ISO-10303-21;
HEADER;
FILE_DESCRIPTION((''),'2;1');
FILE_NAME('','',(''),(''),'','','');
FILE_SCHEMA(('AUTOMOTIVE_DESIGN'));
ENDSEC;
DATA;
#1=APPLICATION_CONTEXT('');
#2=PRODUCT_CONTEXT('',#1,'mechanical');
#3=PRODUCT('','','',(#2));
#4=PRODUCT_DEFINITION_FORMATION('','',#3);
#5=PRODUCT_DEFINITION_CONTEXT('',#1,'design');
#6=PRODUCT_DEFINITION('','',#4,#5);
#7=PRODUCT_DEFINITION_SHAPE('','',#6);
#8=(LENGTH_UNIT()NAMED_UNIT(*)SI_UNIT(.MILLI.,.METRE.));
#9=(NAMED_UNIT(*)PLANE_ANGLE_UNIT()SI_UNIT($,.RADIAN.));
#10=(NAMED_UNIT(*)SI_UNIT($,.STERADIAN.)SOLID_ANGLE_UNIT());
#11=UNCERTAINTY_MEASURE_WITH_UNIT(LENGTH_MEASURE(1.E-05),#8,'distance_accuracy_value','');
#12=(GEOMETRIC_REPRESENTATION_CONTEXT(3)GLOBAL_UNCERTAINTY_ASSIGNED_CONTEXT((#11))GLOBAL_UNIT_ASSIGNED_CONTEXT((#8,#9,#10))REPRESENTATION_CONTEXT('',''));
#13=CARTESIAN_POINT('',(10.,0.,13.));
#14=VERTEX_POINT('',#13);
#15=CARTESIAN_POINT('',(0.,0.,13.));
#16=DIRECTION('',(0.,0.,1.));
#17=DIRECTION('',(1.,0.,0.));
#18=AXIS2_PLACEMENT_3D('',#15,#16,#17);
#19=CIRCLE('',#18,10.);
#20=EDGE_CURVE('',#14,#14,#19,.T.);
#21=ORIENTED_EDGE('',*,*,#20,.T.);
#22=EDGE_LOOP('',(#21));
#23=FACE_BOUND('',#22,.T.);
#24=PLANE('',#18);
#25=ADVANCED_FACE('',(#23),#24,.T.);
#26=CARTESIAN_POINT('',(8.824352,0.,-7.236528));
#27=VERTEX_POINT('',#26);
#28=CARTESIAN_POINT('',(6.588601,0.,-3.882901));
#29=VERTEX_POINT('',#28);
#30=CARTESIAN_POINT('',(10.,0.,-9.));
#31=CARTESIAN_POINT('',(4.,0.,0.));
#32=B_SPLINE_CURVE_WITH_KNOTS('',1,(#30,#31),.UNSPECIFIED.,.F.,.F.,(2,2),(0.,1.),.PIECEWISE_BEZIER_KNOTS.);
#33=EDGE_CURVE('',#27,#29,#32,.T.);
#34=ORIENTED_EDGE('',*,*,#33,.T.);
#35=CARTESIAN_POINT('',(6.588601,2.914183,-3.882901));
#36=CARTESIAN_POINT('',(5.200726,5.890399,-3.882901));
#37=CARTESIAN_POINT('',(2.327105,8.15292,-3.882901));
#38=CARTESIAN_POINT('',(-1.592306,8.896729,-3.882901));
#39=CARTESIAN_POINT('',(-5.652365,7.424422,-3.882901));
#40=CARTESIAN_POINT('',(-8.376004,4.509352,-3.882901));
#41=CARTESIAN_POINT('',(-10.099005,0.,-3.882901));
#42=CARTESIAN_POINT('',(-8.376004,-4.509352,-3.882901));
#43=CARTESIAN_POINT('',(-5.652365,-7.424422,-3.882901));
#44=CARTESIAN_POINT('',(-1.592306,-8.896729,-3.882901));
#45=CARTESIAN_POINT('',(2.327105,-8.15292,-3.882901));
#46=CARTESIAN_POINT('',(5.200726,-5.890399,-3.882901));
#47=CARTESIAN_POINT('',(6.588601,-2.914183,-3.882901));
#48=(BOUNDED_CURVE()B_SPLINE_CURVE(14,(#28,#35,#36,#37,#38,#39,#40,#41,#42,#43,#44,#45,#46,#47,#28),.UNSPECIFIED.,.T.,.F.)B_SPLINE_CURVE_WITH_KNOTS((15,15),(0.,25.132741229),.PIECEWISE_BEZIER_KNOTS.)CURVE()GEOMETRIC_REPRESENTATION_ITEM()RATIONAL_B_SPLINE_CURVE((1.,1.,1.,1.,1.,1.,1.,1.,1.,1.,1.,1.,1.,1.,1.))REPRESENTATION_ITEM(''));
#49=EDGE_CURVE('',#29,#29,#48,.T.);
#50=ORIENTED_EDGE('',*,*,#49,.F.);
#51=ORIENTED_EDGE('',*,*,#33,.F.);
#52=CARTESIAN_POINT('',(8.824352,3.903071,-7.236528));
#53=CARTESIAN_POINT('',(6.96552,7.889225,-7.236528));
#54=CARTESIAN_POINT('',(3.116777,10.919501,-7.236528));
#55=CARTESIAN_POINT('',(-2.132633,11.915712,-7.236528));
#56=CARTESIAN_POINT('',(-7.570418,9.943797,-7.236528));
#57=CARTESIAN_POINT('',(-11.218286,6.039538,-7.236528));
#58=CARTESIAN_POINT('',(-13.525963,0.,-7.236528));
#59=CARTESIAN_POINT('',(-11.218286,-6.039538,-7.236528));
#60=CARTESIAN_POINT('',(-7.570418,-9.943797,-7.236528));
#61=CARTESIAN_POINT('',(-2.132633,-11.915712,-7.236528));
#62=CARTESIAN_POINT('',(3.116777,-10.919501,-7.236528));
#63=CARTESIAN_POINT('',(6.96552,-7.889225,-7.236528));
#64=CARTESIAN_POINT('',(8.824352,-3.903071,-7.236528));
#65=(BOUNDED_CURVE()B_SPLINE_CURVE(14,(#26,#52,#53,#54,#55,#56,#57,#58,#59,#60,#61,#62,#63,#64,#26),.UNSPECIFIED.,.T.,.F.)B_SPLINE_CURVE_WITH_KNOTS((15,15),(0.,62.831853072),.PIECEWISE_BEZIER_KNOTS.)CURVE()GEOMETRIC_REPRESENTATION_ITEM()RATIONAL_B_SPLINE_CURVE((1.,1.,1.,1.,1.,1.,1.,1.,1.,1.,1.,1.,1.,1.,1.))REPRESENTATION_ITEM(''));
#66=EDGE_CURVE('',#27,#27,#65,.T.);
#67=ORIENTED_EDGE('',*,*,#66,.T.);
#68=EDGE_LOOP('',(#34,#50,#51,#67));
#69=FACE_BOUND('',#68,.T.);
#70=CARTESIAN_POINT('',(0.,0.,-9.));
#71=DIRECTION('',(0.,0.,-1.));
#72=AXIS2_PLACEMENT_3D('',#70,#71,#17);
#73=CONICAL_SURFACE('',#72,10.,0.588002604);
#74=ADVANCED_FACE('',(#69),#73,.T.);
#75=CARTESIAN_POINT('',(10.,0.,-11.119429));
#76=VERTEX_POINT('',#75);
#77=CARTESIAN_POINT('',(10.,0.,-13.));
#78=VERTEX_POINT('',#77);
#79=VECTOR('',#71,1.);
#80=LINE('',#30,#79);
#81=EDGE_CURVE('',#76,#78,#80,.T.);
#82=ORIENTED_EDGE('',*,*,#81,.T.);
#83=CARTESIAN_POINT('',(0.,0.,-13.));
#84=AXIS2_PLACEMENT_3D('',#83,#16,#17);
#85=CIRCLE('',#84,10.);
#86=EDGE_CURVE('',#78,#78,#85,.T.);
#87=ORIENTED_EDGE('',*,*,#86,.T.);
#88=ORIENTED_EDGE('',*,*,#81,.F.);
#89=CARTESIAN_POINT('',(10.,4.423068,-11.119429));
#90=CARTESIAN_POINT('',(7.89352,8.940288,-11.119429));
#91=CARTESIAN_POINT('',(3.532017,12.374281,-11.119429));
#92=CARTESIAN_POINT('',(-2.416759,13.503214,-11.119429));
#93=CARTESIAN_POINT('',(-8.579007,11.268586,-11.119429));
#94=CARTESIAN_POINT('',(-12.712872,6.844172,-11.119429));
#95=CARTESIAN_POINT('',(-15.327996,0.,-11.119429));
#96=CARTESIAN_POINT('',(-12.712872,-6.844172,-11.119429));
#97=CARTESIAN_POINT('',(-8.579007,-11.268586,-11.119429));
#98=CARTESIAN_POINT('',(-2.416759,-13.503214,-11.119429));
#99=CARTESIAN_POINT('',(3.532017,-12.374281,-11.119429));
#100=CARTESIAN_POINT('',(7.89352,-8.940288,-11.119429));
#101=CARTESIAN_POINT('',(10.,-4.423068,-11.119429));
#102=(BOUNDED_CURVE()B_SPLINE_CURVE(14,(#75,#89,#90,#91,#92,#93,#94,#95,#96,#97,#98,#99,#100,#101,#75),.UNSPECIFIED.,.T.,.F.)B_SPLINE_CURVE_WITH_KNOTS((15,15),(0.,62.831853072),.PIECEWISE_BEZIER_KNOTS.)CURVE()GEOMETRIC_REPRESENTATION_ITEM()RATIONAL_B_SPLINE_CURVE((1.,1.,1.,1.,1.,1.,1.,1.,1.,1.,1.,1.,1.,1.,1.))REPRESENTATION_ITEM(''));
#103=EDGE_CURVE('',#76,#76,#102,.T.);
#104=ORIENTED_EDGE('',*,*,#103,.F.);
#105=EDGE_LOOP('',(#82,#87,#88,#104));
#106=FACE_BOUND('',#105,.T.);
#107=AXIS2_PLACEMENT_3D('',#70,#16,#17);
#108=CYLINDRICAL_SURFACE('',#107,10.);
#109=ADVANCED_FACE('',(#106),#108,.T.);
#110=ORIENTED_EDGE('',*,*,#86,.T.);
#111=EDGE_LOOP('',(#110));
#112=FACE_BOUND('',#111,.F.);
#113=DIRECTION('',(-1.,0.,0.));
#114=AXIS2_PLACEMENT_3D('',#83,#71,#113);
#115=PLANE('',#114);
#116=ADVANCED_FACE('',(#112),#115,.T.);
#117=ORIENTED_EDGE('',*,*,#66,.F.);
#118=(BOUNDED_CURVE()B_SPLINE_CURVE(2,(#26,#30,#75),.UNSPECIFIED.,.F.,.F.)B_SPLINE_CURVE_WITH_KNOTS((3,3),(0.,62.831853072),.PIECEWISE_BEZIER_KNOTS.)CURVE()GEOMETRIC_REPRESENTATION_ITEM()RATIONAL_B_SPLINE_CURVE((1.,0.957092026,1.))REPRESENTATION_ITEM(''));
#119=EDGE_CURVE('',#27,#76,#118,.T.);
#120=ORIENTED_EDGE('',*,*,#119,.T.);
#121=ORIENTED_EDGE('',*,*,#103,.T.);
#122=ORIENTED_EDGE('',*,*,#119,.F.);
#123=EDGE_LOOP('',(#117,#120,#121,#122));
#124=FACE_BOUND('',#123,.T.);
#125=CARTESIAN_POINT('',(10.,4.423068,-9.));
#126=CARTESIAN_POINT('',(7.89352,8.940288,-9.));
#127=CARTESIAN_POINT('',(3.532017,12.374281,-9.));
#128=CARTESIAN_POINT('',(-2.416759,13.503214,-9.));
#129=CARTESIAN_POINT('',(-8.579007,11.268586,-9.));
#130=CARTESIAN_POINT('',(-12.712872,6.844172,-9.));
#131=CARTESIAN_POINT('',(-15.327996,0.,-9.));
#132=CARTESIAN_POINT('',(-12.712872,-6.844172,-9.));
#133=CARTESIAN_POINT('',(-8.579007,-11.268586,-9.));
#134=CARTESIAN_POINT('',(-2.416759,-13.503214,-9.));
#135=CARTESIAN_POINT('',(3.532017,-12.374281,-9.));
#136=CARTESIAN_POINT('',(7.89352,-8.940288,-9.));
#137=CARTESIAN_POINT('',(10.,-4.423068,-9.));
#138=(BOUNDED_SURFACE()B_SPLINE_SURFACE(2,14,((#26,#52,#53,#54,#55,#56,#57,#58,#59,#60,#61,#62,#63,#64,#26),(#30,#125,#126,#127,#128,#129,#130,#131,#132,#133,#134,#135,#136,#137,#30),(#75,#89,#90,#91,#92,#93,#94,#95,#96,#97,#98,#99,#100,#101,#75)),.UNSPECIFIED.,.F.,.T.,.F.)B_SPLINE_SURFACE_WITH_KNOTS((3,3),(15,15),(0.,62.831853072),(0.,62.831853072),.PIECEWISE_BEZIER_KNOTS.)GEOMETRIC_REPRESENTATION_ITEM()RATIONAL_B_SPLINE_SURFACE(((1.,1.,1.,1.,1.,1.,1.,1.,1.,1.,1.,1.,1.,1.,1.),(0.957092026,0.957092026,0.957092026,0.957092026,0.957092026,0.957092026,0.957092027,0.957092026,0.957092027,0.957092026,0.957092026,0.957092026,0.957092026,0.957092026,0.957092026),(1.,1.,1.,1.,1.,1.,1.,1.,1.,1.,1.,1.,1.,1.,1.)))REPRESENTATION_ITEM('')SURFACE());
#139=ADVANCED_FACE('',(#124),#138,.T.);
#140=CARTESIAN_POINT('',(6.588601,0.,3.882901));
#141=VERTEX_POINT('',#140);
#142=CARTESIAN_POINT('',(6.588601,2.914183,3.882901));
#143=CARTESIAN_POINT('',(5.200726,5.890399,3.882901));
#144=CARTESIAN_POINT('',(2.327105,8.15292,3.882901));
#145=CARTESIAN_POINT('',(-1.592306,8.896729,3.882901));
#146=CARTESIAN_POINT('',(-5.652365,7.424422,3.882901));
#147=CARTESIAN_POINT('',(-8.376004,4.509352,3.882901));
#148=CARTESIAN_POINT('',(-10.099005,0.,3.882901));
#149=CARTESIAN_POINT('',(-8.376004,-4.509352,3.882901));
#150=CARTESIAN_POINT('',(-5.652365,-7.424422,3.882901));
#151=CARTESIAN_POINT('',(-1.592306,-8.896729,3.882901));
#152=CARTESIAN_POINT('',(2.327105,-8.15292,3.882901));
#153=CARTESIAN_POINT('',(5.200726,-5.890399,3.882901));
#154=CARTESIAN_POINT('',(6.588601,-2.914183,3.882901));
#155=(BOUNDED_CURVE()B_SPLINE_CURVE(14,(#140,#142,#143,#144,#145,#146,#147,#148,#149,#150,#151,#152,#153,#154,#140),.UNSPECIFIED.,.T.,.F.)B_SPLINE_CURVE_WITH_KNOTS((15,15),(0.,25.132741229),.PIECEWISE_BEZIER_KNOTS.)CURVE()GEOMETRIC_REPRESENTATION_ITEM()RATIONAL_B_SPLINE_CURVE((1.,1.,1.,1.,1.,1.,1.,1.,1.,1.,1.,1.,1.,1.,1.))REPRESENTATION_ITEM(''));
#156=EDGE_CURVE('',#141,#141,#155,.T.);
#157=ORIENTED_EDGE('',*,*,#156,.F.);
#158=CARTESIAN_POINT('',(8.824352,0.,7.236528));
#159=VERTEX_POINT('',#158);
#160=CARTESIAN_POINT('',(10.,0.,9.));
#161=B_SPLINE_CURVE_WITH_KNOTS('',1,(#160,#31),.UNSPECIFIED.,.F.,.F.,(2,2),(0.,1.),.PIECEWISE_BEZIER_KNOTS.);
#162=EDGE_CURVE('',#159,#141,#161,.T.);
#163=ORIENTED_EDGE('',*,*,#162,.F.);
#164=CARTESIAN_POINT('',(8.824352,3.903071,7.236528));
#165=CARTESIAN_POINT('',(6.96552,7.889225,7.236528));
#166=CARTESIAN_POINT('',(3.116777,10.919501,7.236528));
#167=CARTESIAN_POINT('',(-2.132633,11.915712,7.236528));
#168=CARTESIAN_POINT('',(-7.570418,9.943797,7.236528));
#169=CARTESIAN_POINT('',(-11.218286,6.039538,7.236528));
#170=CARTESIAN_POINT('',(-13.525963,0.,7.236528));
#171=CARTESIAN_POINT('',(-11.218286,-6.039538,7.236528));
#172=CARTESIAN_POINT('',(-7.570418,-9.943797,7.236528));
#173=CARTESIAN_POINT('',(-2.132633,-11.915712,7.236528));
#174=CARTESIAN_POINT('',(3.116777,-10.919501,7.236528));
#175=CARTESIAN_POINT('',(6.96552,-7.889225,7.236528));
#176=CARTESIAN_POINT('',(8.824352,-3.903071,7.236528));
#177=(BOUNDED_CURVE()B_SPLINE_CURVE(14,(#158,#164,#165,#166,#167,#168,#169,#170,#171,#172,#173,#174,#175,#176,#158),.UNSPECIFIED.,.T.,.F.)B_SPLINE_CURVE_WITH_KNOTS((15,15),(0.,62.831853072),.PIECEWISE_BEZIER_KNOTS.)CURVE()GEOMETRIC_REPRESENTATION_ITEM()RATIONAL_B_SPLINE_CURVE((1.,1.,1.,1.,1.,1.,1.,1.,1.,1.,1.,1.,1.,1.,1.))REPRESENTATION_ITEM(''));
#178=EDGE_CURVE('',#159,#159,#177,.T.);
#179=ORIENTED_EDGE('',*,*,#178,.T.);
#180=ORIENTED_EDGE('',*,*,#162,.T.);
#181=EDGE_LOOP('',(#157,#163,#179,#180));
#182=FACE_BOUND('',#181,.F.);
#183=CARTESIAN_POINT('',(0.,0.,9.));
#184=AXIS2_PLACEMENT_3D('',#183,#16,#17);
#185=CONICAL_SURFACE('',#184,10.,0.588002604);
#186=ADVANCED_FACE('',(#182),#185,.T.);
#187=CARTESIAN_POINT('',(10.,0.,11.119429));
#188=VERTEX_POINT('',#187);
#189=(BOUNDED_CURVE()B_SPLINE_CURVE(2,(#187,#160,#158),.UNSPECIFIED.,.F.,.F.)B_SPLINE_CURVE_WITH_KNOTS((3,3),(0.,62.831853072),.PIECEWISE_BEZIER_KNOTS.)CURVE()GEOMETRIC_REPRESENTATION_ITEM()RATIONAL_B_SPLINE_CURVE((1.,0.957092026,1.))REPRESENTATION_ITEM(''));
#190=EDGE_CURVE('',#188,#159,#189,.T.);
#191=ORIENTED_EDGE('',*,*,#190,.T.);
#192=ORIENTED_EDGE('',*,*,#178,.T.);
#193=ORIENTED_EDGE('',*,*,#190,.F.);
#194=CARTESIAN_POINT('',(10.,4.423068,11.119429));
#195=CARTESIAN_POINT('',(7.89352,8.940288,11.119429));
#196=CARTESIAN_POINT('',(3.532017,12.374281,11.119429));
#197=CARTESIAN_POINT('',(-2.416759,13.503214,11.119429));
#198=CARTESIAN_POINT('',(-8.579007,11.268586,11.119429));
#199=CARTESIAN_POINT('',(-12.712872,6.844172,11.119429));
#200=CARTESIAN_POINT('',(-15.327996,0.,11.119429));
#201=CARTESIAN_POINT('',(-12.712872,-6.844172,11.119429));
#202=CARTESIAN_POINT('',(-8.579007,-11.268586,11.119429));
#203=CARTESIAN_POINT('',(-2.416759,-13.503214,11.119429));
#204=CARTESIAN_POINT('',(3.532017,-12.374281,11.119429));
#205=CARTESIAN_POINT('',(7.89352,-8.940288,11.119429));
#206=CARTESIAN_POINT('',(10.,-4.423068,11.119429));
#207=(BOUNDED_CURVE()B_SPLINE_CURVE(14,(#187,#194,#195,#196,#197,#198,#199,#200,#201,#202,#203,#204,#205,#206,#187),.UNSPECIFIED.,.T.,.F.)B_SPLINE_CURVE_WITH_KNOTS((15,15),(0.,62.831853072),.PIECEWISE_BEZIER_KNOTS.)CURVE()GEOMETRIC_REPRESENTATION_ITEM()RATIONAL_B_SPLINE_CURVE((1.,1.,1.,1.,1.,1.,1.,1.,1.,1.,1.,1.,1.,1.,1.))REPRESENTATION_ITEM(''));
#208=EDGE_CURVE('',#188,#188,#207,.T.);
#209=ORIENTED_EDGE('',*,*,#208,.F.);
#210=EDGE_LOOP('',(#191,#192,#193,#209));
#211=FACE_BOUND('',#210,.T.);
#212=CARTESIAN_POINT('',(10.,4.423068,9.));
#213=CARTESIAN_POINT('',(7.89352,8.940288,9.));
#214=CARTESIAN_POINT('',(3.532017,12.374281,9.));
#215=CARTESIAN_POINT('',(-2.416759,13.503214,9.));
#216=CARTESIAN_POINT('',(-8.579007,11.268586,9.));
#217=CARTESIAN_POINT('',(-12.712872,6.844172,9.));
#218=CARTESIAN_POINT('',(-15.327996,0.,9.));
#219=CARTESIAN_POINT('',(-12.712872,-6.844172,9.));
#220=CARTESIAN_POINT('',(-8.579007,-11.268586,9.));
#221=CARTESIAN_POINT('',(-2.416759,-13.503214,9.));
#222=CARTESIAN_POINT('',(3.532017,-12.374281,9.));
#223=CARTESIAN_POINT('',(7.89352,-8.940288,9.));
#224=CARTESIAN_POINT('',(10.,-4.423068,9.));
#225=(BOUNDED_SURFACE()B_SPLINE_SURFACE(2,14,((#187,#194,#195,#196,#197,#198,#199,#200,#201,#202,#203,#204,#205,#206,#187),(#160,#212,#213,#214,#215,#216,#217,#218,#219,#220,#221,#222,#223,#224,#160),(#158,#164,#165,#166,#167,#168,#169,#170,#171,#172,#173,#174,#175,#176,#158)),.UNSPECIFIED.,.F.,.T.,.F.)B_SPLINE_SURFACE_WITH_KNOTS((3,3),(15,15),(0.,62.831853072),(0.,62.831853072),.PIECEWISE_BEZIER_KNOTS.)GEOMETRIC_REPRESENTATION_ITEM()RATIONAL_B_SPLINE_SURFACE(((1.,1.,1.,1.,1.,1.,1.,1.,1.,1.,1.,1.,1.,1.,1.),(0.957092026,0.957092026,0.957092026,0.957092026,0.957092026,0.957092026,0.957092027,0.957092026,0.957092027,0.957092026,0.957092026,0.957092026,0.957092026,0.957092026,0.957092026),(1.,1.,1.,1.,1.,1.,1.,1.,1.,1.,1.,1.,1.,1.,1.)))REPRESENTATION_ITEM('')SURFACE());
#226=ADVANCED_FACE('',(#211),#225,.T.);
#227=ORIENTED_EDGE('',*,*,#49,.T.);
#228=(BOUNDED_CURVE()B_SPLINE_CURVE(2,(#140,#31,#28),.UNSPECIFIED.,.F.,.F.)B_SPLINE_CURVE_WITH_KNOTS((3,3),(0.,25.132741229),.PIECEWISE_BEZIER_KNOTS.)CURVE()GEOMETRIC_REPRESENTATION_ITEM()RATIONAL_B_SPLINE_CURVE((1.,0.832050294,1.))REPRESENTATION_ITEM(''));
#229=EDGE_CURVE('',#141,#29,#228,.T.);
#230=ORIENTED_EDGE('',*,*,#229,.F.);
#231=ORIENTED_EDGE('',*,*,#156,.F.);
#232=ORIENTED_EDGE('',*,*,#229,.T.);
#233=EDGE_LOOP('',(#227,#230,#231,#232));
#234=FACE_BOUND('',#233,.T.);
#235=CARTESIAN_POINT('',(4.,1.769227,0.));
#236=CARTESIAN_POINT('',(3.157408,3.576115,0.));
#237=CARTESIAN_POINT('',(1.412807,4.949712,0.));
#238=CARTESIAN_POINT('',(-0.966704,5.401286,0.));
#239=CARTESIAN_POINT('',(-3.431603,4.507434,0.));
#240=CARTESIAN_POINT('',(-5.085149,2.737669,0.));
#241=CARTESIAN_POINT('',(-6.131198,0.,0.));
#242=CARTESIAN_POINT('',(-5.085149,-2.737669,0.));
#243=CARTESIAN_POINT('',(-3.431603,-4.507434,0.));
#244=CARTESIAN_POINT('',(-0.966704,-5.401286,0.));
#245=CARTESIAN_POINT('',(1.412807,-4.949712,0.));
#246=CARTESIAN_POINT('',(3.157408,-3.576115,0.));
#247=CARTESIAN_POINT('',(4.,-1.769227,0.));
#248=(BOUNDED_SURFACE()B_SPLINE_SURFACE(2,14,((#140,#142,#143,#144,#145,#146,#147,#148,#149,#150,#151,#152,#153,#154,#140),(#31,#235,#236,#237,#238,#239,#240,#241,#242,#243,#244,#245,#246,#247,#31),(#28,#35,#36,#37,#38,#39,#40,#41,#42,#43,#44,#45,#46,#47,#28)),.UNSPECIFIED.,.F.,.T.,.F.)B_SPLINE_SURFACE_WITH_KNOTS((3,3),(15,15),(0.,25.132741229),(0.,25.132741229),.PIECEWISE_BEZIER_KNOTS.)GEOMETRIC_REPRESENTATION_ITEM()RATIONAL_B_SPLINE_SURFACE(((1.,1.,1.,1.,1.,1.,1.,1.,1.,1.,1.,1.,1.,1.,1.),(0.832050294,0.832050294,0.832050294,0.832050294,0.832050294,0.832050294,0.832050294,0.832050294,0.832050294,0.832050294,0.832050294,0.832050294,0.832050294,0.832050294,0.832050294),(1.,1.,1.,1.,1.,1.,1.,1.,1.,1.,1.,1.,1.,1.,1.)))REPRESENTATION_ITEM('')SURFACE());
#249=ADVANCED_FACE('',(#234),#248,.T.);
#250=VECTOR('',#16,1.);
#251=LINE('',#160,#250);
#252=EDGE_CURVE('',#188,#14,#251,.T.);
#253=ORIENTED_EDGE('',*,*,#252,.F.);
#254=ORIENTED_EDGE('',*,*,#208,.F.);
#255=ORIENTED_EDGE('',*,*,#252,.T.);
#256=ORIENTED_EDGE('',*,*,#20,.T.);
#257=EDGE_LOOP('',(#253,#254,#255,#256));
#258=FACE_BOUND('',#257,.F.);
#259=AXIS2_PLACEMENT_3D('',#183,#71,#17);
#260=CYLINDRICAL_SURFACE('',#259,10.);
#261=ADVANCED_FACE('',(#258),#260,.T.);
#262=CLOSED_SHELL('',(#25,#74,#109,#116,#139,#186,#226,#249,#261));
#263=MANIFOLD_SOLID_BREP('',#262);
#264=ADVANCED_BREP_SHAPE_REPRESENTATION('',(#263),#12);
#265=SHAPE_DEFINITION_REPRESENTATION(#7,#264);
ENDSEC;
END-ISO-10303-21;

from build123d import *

# Parameters (mm, degrees)
F1_R     = 10
F2_R     = 4
F5_DEPTH = 4
F6_DEPTH = 4
F7_R     = 7


with BuildPart() as f3:
    # F1 (on offset) → F3 section 0
    with BuildSketch(Plane.XY.offset(9)):
        Circle(F1_R)
    # F2 (on Top) → F3 section 1
    with BuildSketch(Plane.XY):
        Circle(F2_R)
    loft()

    # F4: F3 across plane


with BuildPart() as f3_1:
    add(f3.part)
    add(f3.part.mirror(Plane.XY))

    # F5 (add): a face of the model
    f5_faces = [f3_1.faces().sort_by_distance(p)[0] for p in [
        (0, 0, -9),
    ]]
    extrude(f5_faces, amount=F5_DEPTH)

    # F6 (add): a face of the model
    f6_faces = [f3_1.faces().sort_by_distance(p)[0] for p in [
        (0, 0, 9),
    ]]
    extrude(f6_faces, amount=F6_DEPTH)

    # F7
    f7_edges = [f3_1.edges().sort_by_distance(p)[0] for p in [
        (-4, 0, 0),
        (-10, 0, -9),
        (-10, 0, 9),
    ]]
    fillet(f7_edges, radius=F7_R)


solid = f3_1.part
